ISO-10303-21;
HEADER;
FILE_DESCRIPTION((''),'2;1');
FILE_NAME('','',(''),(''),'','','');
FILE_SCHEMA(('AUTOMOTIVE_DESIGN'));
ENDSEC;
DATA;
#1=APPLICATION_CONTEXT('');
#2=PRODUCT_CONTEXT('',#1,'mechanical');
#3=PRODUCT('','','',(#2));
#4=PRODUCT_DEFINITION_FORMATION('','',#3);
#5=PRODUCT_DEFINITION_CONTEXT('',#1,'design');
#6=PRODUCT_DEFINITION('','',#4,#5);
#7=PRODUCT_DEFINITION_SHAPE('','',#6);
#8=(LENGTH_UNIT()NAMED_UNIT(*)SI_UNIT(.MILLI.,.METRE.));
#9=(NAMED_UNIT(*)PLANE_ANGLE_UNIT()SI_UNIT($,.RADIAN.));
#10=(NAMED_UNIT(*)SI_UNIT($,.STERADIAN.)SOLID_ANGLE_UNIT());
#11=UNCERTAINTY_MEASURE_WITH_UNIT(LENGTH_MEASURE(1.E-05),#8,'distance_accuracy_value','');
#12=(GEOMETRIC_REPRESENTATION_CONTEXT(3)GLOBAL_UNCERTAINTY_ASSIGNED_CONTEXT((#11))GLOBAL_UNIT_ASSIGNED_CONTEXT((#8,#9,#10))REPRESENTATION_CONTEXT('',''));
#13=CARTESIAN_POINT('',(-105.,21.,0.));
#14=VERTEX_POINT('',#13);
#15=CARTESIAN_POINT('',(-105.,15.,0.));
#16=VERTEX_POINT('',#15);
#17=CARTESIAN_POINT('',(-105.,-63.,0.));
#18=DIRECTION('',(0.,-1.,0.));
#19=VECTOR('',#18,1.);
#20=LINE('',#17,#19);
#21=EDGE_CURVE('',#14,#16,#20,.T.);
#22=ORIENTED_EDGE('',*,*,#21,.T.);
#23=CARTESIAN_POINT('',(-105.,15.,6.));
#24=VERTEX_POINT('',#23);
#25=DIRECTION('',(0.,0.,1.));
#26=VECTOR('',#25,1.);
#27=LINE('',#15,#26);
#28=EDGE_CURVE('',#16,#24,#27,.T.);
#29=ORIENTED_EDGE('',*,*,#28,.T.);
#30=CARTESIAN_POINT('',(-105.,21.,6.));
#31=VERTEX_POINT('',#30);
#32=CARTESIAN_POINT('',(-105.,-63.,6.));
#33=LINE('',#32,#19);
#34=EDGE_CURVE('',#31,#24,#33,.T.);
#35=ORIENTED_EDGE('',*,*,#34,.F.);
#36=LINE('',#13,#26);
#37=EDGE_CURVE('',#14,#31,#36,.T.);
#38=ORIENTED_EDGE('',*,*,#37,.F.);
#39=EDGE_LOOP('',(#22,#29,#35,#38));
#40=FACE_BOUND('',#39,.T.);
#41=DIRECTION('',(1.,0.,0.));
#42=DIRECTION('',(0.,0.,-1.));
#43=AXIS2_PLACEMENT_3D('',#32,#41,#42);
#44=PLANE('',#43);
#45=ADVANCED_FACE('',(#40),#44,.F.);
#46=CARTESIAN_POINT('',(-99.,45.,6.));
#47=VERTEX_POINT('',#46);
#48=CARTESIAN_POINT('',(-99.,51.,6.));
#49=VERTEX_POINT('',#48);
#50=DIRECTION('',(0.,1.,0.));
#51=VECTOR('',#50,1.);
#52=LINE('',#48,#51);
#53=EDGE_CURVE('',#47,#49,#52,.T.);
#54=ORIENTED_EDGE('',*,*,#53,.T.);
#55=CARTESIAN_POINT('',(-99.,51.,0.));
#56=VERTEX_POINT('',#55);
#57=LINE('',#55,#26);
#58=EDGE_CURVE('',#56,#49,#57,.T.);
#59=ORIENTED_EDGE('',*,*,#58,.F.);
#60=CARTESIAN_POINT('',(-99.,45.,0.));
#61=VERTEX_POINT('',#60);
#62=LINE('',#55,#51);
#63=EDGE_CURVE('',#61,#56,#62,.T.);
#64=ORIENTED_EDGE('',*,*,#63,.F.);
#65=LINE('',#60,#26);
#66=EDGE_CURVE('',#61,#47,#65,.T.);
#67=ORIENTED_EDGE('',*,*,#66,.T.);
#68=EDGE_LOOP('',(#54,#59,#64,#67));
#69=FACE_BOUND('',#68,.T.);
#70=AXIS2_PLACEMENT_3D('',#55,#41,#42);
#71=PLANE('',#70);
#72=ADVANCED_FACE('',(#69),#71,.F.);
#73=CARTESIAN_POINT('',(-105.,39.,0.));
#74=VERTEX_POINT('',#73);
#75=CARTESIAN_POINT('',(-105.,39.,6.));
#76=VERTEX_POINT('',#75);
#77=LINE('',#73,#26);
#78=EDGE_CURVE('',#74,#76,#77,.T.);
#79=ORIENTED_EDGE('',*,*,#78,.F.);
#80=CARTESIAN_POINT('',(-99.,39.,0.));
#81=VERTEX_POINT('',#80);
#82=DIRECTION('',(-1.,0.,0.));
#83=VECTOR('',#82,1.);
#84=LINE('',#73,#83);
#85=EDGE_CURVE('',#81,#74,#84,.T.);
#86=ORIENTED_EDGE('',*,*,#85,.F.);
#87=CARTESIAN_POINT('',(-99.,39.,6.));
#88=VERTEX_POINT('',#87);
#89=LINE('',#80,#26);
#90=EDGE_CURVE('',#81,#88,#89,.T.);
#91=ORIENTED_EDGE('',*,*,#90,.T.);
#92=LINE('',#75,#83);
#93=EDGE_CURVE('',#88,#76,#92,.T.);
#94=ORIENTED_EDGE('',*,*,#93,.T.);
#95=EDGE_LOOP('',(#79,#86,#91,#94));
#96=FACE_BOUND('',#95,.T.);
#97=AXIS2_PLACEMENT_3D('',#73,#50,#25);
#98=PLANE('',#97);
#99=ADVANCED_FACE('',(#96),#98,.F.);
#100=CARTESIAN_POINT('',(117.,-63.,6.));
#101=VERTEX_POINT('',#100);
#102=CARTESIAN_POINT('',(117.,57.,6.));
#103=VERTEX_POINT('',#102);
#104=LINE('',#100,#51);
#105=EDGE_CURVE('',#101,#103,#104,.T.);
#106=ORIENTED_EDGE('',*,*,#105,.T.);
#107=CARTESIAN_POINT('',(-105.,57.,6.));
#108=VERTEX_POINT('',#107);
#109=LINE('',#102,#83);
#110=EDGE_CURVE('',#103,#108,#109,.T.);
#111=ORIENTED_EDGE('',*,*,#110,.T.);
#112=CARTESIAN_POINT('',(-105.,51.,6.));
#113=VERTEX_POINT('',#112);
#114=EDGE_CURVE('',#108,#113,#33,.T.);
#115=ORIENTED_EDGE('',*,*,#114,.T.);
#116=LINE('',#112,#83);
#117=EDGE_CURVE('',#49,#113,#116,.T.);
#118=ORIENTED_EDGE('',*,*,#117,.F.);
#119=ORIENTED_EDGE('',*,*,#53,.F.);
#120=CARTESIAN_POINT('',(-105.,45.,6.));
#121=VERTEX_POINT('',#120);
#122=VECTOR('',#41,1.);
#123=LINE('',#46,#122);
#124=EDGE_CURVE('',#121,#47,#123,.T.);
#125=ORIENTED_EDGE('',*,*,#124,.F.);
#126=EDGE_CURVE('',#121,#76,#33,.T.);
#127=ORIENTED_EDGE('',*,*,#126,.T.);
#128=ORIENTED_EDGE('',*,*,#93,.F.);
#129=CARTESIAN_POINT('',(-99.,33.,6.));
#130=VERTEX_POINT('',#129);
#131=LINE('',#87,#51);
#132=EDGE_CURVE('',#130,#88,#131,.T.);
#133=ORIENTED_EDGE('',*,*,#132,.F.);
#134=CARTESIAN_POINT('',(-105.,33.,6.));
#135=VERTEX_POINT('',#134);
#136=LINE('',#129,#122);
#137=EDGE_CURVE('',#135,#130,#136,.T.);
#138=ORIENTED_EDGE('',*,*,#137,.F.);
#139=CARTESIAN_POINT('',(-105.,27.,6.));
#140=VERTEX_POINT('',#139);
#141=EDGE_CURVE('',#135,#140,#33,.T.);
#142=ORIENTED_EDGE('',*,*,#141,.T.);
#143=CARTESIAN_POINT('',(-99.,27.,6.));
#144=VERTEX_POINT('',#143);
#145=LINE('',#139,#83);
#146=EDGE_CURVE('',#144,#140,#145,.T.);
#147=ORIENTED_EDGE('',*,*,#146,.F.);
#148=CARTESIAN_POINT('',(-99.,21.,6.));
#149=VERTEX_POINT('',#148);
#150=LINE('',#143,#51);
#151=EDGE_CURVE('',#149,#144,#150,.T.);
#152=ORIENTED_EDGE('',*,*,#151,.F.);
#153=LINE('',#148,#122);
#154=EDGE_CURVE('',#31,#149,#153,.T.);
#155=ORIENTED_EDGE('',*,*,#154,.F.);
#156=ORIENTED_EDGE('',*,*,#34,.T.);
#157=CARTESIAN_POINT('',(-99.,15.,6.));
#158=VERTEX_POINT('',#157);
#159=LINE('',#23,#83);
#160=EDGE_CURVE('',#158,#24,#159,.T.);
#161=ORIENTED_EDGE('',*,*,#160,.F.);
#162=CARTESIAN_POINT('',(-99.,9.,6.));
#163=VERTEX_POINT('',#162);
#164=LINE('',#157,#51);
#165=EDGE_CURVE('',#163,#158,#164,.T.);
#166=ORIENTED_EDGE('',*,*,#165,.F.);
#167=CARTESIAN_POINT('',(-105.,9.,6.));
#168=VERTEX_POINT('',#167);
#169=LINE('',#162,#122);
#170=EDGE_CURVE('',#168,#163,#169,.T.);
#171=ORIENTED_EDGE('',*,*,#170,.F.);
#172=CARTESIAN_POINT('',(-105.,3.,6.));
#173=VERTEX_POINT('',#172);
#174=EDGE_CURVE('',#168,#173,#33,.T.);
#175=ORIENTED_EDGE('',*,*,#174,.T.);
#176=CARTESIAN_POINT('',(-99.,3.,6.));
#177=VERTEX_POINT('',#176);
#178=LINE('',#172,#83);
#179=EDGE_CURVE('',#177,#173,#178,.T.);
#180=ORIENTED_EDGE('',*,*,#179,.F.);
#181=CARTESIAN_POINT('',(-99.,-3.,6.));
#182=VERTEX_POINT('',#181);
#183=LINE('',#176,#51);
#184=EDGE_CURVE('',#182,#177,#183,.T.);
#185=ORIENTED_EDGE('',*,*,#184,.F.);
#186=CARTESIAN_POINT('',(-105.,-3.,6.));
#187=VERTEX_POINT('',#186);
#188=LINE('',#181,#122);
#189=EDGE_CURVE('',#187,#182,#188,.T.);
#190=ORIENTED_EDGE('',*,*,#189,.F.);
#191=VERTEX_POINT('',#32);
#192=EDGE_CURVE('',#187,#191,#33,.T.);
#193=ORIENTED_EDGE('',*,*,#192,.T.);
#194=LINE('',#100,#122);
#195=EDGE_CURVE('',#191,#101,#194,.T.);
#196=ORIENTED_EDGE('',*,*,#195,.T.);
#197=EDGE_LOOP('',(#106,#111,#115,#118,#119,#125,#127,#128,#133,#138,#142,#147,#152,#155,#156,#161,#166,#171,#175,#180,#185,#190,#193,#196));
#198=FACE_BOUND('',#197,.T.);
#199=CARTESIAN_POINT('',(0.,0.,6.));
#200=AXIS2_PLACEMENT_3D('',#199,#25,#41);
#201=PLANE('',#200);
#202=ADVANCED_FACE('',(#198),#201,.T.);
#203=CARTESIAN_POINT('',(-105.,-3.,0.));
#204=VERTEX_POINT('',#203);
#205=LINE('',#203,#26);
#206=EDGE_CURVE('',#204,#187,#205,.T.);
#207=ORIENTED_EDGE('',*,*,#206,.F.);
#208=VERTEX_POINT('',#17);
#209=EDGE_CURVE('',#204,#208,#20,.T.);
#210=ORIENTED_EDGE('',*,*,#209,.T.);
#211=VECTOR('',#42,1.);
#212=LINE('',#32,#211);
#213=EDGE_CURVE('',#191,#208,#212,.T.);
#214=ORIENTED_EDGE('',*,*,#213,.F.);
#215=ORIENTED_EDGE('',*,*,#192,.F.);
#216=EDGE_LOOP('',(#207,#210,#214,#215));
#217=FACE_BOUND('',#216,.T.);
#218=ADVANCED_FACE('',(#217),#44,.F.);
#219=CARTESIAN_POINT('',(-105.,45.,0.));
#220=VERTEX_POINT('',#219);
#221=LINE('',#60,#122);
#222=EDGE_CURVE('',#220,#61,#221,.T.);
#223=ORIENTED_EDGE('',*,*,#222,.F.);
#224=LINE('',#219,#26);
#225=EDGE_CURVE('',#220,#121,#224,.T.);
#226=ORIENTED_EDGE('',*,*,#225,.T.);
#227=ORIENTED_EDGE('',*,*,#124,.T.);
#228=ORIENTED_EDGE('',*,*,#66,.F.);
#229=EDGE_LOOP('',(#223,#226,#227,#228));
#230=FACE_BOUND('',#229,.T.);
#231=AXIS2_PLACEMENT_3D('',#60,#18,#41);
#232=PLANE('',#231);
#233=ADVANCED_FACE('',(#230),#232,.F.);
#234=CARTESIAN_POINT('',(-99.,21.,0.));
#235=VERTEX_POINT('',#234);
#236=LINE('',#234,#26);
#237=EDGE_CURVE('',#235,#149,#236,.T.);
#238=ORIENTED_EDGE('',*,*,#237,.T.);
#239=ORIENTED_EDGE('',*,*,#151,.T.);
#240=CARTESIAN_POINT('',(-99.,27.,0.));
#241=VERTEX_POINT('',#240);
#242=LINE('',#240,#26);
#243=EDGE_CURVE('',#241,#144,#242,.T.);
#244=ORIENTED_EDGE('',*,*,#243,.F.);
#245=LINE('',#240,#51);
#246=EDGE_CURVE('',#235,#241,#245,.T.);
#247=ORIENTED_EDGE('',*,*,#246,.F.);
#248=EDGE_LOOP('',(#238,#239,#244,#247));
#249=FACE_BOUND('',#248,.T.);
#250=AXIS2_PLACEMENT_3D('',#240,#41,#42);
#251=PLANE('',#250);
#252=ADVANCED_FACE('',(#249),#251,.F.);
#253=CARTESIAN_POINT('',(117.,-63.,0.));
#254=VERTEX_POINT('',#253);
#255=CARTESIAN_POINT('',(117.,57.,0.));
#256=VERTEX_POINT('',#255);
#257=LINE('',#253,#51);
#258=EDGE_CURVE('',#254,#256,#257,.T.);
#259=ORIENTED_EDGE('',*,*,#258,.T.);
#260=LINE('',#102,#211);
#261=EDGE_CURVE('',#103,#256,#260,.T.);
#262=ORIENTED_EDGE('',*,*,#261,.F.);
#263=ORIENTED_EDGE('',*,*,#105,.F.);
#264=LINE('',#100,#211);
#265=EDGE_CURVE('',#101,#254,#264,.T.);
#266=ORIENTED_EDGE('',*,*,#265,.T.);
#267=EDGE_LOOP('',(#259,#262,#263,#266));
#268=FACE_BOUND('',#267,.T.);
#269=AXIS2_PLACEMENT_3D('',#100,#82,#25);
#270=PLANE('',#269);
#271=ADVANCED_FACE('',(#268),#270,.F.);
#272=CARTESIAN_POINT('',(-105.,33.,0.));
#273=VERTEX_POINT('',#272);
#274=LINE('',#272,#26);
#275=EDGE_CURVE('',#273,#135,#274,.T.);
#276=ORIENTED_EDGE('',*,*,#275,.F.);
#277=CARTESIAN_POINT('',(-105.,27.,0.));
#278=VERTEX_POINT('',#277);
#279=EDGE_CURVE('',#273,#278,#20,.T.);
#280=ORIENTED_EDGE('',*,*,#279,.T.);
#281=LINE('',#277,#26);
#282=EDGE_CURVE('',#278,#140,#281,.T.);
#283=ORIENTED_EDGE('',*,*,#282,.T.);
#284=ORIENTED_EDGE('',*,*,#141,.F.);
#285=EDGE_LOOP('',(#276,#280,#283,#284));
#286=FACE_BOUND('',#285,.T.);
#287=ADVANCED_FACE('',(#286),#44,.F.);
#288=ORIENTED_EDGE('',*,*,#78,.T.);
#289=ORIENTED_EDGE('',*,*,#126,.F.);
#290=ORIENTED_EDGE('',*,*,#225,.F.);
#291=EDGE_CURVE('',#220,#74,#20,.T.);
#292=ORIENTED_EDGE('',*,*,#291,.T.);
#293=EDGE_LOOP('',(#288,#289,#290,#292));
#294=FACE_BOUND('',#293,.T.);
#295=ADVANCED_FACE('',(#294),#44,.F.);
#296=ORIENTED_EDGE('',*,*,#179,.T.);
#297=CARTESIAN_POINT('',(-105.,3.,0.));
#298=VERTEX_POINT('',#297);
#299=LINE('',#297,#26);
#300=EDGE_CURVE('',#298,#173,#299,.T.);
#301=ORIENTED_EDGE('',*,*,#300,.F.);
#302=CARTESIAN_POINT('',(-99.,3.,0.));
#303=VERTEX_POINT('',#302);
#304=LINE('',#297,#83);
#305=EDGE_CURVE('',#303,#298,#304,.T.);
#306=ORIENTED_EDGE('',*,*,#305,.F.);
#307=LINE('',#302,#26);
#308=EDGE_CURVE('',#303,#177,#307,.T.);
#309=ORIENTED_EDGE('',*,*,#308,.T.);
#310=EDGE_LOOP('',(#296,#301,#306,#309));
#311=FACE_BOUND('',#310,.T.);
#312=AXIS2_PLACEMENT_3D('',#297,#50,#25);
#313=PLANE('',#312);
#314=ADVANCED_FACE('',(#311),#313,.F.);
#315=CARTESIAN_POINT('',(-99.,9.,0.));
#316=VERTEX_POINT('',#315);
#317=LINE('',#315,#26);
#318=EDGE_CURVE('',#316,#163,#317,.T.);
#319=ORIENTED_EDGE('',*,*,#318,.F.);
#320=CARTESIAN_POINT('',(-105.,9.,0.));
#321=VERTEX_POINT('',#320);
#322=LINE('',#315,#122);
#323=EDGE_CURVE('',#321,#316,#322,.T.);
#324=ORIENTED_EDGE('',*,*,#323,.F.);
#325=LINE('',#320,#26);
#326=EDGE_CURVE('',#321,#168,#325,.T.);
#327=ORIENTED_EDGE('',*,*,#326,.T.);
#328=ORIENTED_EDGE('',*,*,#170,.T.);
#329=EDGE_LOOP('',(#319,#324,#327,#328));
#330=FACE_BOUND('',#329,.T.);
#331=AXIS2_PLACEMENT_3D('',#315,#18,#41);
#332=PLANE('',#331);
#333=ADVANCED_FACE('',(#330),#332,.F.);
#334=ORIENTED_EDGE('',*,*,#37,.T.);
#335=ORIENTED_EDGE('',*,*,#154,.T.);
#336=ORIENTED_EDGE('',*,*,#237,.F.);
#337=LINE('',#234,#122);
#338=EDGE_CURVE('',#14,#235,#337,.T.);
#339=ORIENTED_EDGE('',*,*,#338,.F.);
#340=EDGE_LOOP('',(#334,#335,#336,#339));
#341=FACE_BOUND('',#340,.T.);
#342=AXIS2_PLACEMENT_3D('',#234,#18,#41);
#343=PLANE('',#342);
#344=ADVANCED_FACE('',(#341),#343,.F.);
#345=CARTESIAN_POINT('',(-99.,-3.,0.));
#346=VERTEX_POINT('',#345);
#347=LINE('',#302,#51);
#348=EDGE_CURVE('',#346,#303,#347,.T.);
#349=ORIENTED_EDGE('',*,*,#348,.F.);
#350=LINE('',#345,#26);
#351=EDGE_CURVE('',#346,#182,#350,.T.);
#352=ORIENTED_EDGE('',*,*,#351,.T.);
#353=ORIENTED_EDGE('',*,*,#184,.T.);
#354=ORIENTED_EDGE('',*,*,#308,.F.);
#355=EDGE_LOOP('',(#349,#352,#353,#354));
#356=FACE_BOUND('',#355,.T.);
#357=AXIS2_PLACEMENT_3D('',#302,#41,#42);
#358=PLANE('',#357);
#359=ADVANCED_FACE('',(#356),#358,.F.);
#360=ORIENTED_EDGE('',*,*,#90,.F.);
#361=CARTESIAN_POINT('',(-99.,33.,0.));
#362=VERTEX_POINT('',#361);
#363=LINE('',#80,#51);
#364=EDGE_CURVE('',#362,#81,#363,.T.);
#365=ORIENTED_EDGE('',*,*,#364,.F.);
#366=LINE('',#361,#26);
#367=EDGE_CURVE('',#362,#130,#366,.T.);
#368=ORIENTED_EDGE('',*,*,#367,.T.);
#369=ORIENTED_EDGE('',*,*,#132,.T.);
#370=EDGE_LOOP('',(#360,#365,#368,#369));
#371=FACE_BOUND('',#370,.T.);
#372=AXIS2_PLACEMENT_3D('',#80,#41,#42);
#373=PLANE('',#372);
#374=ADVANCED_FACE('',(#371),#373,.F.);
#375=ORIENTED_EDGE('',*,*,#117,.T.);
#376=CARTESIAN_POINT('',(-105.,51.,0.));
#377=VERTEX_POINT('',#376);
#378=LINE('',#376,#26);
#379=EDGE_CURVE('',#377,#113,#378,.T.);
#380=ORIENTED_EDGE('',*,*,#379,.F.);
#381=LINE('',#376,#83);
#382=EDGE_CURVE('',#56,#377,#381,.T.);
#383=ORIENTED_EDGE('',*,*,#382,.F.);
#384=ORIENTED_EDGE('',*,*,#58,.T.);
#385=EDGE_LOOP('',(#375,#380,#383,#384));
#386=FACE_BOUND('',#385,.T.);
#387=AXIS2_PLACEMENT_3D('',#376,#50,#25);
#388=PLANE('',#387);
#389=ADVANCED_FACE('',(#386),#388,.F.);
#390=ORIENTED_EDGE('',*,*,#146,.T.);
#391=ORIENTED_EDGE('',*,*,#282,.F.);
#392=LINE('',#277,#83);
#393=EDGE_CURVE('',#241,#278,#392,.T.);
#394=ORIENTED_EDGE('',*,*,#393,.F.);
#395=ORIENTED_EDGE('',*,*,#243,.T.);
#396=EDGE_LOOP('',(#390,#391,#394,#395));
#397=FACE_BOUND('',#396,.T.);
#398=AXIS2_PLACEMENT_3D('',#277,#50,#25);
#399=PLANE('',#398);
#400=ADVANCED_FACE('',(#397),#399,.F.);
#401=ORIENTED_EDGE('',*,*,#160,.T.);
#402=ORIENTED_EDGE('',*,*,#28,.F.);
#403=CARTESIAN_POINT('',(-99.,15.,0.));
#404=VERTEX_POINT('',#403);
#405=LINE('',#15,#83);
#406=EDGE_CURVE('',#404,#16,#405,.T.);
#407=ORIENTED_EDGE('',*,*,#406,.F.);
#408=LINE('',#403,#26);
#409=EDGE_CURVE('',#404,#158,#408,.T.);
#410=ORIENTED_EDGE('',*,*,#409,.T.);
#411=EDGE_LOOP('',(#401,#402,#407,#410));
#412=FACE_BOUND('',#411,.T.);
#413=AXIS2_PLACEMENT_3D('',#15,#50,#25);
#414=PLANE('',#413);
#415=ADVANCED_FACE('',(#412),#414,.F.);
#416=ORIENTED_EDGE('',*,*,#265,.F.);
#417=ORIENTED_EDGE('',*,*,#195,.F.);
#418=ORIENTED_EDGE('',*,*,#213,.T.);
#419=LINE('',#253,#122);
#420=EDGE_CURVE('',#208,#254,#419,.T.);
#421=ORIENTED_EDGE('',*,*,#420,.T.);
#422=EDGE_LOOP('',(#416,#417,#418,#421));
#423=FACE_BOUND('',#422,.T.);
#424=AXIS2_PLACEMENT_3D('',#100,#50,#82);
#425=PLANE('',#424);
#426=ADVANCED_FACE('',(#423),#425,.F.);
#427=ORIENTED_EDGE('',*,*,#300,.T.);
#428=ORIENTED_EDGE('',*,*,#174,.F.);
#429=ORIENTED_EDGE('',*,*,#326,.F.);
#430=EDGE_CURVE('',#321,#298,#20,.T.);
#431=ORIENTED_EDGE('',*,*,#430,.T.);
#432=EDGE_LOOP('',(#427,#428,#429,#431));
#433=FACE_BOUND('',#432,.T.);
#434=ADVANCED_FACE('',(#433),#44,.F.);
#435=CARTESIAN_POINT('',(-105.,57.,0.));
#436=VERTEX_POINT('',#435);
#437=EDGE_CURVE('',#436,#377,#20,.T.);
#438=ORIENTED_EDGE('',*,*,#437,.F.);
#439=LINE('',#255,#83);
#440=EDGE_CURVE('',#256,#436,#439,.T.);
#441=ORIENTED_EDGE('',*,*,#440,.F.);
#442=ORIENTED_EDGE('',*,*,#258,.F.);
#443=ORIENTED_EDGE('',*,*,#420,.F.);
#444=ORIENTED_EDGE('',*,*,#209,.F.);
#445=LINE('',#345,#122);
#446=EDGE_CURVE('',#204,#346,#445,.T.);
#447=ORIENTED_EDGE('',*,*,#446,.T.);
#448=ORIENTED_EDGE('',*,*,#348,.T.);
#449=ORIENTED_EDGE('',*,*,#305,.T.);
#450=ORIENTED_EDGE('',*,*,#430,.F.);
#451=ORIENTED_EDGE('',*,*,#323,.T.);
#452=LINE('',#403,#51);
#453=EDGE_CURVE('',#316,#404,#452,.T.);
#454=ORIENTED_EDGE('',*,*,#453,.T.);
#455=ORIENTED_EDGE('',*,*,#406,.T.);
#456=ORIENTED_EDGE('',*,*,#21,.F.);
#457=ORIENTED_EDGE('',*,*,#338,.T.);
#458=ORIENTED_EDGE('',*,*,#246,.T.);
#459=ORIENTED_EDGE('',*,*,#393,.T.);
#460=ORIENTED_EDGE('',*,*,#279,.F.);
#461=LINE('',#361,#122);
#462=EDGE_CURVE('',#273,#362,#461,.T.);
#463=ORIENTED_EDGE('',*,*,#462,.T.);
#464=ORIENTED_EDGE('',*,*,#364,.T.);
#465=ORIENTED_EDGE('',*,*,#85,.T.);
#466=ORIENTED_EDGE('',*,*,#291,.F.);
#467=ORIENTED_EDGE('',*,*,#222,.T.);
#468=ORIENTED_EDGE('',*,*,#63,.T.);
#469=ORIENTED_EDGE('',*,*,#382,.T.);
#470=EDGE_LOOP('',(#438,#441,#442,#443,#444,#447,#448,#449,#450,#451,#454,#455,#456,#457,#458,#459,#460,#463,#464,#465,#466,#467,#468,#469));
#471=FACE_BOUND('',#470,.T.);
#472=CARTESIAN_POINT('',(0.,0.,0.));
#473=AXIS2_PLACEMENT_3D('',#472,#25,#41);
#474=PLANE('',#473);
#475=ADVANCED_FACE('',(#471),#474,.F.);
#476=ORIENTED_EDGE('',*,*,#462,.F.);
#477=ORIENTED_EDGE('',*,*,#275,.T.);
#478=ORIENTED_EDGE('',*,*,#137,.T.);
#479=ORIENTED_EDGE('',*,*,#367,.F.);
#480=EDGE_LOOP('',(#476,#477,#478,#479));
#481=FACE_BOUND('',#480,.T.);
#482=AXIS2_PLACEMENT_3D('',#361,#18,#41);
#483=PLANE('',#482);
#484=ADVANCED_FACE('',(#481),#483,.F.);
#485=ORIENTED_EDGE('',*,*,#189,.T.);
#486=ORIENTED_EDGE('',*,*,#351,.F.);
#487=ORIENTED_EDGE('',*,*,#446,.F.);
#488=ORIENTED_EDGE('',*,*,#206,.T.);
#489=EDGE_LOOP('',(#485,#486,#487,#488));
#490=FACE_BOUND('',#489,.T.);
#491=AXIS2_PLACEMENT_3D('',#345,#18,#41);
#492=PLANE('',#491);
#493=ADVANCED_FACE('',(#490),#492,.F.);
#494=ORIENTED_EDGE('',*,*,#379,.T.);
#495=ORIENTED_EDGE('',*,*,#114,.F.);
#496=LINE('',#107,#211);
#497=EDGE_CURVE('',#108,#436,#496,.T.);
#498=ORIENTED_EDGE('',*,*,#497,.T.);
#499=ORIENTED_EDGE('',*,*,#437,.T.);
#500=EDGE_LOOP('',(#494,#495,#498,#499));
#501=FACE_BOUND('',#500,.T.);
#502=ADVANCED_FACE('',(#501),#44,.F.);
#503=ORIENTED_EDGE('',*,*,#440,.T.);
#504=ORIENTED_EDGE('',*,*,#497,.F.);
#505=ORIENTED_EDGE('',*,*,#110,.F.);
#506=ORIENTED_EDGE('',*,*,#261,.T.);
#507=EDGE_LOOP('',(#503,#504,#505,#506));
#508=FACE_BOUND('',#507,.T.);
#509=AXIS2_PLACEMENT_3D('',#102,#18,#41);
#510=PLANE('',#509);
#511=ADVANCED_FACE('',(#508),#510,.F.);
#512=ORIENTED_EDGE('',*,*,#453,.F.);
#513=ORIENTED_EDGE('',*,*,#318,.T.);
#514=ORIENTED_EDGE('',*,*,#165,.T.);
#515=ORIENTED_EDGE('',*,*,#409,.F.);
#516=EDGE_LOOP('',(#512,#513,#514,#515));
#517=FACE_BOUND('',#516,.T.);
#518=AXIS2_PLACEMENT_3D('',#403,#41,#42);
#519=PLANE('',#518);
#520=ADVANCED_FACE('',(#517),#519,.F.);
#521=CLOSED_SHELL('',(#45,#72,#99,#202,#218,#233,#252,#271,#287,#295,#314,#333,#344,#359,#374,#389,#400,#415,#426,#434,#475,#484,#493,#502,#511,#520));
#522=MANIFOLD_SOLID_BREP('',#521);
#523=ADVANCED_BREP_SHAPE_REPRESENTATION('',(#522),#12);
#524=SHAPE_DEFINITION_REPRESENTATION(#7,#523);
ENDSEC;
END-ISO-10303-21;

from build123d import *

# Parameters (mm, degrees)
ESBO_O1_W                = 222
ESBO_O1_H                = 120
RESSALTO_EXTRUS_O1_DEPTH = 6
ESBO_O3_W                = 6
ESBO_O3_H                = 6
CORTE_EXTRUS_O1_DEPTH    = 134.018795664
PADR_O_LINEAR2_COUNT     = 5
PADR_O_LINEAR2_PITCH     = 12


with BuildPart() as part:
    # Esboço1 → Ressalto-extrusão1 (new body)
    with BuildSketch(Plane.XY):
        with Locations((6, -3)):
            Rectangle(ESBO_O1_W, ESBO_O1_H)
    extrude(amount=RESSALTO_EXTRUS_O1_DEPTH)

    # Esboço3 → Corte-extrusão1 (cut, through all)
    with BuildSketch(Plane.XY.offset(6)):
        with Locations((-102, 0)):
            Rectangle(ESBO_O3_W, ESBO_O3_H)
    corte_extrus_o1 = extrude(amount=-CORTE_EXTRUS_O1_DEPTH, mode=Mode.SUBTRACT)

    # Padrão linear2: Corte-extrusão1 ×5
    with Locations(*[(0, i * PADR_O_LINEAR2_PITCH, 0) for i in range(1, PADR_O_LINEAR2_COUNT)]):
        add(corte_extrus_o1, mode=Mode.SUBTRACT)


solid = part.part
